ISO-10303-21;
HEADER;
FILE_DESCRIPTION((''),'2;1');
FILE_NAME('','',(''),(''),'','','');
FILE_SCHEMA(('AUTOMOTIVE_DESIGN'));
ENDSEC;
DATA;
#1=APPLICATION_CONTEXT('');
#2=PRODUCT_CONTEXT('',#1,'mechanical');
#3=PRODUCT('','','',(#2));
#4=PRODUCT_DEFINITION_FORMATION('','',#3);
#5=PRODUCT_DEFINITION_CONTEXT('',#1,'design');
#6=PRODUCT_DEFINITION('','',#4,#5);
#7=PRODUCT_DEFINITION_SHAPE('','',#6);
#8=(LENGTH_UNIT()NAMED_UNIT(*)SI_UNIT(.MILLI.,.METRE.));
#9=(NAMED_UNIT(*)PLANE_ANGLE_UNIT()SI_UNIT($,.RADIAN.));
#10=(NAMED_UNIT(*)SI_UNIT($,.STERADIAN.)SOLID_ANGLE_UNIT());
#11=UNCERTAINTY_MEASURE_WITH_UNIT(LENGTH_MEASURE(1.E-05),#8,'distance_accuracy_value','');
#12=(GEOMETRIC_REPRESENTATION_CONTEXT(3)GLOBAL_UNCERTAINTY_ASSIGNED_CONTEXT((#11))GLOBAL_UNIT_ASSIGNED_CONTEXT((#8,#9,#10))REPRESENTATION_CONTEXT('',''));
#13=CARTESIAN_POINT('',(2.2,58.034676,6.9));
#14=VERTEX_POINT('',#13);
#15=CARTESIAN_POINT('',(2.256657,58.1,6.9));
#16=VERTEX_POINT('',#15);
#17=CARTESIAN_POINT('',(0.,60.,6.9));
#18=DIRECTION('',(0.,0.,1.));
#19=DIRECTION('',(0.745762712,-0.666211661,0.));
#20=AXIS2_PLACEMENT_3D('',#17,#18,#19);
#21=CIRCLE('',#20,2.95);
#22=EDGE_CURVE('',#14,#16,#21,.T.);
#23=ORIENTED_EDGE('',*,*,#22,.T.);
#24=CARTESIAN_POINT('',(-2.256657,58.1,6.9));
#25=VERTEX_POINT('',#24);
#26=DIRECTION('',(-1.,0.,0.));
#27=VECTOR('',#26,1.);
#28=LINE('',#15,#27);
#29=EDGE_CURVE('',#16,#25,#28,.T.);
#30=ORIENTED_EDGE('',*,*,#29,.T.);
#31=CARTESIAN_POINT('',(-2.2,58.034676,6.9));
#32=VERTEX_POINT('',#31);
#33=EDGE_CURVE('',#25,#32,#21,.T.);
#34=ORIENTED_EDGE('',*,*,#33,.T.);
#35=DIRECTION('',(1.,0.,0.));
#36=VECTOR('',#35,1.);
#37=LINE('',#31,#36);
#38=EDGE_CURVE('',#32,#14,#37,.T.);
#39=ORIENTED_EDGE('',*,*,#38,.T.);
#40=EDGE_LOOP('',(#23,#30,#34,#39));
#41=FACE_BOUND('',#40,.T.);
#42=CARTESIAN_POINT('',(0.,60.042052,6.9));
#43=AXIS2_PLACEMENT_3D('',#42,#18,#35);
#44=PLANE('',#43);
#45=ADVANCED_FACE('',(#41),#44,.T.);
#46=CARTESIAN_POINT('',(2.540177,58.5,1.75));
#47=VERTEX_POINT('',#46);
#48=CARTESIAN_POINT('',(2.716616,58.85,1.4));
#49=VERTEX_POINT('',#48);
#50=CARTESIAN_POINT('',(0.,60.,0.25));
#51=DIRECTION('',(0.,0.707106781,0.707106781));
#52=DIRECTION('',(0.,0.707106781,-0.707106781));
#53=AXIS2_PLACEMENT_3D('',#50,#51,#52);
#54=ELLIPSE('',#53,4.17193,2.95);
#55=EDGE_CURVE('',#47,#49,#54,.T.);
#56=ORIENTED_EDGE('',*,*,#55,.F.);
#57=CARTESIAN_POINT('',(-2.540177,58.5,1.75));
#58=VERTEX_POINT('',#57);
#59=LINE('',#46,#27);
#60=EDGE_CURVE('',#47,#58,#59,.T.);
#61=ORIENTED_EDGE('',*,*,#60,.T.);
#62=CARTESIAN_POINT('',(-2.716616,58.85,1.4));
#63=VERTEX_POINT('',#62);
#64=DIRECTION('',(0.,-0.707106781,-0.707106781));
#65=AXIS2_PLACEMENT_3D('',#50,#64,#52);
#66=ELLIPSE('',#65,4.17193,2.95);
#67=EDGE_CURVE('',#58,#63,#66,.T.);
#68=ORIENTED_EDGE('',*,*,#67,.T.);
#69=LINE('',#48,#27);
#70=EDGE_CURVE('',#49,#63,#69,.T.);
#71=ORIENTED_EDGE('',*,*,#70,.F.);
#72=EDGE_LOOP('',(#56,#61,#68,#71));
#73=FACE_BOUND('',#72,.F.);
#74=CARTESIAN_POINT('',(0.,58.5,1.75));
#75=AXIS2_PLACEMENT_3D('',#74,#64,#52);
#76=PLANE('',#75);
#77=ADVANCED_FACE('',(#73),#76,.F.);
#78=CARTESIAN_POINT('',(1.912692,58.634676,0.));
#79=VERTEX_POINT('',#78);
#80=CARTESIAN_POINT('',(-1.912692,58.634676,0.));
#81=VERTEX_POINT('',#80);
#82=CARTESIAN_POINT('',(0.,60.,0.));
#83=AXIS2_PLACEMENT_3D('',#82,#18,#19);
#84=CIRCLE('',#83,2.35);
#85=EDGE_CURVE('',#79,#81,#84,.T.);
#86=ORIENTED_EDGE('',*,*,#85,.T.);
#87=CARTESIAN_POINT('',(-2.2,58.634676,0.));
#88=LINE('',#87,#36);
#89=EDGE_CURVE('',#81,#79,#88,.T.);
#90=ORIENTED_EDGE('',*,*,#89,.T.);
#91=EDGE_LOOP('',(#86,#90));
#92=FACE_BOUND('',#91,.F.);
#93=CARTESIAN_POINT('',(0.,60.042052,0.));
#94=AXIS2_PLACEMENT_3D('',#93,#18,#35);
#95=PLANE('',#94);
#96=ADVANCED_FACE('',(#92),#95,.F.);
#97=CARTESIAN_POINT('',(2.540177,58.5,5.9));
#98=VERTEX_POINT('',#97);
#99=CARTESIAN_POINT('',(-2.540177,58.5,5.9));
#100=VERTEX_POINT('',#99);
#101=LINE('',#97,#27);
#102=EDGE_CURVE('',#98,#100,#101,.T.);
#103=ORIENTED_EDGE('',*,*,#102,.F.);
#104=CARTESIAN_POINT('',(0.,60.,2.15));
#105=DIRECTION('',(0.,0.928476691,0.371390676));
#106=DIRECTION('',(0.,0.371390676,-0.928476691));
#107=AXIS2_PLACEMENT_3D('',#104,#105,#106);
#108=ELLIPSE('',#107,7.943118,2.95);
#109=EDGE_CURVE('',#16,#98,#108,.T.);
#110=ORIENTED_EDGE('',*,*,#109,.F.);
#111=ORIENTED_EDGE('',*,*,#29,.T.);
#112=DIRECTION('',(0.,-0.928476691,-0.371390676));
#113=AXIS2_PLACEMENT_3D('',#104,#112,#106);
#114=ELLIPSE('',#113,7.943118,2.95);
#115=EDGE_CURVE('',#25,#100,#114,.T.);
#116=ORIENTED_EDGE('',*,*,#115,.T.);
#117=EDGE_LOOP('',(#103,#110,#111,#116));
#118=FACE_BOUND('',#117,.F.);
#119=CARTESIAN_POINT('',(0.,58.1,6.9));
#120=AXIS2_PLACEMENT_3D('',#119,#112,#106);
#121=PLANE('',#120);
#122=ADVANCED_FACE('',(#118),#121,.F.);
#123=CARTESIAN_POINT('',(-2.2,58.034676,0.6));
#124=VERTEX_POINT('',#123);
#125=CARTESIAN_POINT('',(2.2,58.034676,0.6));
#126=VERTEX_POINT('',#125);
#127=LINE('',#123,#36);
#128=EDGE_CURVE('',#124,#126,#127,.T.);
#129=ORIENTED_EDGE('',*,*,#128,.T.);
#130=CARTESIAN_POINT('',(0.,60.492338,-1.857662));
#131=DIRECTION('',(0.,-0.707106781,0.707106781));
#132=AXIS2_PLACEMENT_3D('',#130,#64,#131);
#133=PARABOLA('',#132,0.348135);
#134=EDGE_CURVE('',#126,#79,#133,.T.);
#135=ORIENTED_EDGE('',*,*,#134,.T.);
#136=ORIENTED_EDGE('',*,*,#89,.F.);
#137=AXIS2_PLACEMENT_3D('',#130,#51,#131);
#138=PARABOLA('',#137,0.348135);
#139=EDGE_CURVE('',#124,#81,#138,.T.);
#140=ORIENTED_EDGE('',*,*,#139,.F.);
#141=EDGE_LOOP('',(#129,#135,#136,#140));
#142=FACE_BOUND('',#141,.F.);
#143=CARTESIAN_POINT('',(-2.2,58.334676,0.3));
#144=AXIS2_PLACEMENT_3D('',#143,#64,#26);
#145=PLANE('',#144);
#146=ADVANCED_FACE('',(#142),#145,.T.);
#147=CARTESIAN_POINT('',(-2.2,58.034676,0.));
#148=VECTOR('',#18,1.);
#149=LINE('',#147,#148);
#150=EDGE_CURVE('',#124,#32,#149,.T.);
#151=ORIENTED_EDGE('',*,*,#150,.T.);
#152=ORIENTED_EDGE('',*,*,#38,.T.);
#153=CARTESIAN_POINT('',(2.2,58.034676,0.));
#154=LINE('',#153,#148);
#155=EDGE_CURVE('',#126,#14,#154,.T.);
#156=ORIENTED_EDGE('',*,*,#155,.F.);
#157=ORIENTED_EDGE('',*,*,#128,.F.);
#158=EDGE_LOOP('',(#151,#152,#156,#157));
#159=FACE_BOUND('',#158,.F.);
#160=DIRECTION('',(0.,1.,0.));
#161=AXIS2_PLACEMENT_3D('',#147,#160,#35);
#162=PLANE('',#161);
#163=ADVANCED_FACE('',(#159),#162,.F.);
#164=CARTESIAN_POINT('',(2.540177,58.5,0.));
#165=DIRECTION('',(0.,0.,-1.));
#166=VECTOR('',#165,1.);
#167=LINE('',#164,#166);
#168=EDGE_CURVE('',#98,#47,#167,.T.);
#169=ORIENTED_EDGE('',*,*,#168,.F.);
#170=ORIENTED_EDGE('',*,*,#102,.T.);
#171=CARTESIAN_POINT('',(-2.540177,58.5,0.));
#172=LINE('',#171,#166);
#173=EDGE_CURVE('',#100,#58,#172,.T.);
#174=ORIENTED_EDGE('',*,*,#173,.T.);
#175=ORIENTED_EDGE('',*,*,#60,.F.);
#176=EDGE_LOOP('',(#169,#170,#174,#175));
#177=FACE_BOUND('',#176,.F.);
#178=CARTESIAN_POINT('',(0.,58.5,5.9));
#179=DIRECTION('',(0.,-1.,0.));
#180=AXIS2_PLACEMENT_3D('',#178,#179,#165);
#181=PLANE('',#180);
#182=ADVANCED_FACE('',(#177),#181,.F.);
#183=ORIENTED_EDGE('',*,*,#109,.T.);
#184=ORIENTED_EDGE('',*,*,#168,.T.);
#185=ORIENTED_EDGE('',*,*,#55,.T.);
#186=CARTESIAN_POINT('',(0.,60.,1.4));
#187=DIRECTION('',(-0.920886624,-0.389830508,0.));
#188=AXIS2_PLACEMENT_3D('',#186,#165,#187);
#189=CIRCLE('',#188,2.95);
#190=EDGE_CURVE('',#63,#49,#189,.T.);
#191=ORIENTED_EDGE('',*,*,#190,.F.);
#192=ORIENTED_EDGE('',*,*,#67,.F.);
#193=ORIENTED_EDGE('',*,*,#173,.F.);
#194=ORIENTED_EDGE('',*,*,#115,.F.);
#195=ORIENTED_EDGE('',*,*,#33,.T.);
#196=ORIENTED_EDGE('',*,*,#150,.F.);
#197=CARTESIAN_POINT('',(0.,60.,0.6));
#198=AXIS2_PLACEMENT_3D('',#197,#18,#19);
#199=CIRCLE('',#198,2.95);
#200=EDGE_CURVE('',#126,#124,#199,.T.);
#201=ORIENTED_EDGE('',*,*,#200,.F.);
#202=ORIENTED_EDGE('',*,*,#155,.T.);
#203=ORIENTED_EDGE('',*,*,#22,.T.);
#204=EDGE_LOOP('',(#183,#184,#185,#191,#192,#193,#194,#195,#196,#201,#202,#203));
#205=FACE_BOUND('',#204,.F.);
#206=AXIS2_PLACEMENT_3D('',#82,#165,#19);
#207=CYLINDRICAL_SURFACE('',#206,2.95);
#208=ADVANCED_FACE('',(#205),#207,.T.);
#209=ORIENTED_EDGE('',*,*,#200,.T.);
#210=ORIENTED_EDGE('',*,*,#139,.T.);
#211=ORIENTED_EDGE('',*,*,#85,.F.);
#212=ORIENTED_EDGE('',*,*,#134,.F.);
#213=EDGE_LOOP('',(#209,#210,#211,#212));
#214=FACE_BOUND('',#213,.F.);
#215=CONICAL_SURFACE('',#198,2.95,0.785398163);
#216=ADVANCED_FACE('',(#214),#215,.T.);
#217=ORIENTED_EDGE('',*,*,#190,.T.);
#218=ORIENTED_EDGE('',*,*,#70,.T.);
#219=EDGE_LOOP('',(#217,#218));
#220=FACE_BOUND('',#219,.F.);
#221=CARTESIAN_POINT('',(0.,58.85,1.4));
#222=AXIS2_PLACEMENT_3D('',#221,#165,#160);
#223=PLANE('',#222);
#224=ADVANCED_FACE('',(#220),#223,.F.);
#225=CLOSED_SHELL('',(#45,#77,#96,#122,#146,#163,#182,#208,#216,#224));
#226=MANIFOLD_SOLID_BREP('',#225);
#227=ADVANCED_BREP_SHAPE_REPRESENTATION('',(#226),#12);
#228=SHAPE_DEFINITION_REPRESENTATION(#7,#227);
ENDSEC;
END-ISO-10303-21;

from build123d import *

# Parameters (mm, degrees)
PAD007_DEPTH         = 6.9
POCKET005_DEPTH      = 2.951
POCKET005_DEPTH_BACK = 2.951
CHAMFER008_SIZE      = 0.6


with BuildPart() as part:
    # Sketch018 → Pad007 (new body)
    with BuildSketch(Plane.XY):
        with BuildLine():
            ThreePointArc((2.2, -1.9653244007), (0, 2.95), (-2.2, -1.9653244007))
            Line((-2.2, -1.9653244007), (2.2, -1.9653244007))
        make_face()
    extrude(amount=PAD007_DEPTH)

    # Sketch019 → Pocket005 (cut, two sides)
    with BuildSketch(Plane.YZ) as pocket005_sk:
        Polygon((-1.9, 6.9), (-1.5, 5.9), (-1.5, 1.75), (-1.15, 1.4), (5, 1.4), (5, 6.9), align=None)
    extrude(amount=-POCKET005_DEPTH, mode=Mode.SUBTRACT)
    extrude(pocket005_sk.sketch, amount=POCKET005_DEPTH_BACK, mode=Mode.SUBTRACT)

    # Chamfer008
    chamfer008_edges = [part.edges().sort_by_distance(p)[0] for p in [
        (0, 2.95, 0),
        (0, -1.965324, 0),
    ]]
    chamfer(chamfer008_edges, length=CHAMFER008_SIZE)


with BuildPart() as part_1:
    # Body060 placement: moved
    add(part.part.moved(Location((0, 60, 0))))


solid = part_1.part
